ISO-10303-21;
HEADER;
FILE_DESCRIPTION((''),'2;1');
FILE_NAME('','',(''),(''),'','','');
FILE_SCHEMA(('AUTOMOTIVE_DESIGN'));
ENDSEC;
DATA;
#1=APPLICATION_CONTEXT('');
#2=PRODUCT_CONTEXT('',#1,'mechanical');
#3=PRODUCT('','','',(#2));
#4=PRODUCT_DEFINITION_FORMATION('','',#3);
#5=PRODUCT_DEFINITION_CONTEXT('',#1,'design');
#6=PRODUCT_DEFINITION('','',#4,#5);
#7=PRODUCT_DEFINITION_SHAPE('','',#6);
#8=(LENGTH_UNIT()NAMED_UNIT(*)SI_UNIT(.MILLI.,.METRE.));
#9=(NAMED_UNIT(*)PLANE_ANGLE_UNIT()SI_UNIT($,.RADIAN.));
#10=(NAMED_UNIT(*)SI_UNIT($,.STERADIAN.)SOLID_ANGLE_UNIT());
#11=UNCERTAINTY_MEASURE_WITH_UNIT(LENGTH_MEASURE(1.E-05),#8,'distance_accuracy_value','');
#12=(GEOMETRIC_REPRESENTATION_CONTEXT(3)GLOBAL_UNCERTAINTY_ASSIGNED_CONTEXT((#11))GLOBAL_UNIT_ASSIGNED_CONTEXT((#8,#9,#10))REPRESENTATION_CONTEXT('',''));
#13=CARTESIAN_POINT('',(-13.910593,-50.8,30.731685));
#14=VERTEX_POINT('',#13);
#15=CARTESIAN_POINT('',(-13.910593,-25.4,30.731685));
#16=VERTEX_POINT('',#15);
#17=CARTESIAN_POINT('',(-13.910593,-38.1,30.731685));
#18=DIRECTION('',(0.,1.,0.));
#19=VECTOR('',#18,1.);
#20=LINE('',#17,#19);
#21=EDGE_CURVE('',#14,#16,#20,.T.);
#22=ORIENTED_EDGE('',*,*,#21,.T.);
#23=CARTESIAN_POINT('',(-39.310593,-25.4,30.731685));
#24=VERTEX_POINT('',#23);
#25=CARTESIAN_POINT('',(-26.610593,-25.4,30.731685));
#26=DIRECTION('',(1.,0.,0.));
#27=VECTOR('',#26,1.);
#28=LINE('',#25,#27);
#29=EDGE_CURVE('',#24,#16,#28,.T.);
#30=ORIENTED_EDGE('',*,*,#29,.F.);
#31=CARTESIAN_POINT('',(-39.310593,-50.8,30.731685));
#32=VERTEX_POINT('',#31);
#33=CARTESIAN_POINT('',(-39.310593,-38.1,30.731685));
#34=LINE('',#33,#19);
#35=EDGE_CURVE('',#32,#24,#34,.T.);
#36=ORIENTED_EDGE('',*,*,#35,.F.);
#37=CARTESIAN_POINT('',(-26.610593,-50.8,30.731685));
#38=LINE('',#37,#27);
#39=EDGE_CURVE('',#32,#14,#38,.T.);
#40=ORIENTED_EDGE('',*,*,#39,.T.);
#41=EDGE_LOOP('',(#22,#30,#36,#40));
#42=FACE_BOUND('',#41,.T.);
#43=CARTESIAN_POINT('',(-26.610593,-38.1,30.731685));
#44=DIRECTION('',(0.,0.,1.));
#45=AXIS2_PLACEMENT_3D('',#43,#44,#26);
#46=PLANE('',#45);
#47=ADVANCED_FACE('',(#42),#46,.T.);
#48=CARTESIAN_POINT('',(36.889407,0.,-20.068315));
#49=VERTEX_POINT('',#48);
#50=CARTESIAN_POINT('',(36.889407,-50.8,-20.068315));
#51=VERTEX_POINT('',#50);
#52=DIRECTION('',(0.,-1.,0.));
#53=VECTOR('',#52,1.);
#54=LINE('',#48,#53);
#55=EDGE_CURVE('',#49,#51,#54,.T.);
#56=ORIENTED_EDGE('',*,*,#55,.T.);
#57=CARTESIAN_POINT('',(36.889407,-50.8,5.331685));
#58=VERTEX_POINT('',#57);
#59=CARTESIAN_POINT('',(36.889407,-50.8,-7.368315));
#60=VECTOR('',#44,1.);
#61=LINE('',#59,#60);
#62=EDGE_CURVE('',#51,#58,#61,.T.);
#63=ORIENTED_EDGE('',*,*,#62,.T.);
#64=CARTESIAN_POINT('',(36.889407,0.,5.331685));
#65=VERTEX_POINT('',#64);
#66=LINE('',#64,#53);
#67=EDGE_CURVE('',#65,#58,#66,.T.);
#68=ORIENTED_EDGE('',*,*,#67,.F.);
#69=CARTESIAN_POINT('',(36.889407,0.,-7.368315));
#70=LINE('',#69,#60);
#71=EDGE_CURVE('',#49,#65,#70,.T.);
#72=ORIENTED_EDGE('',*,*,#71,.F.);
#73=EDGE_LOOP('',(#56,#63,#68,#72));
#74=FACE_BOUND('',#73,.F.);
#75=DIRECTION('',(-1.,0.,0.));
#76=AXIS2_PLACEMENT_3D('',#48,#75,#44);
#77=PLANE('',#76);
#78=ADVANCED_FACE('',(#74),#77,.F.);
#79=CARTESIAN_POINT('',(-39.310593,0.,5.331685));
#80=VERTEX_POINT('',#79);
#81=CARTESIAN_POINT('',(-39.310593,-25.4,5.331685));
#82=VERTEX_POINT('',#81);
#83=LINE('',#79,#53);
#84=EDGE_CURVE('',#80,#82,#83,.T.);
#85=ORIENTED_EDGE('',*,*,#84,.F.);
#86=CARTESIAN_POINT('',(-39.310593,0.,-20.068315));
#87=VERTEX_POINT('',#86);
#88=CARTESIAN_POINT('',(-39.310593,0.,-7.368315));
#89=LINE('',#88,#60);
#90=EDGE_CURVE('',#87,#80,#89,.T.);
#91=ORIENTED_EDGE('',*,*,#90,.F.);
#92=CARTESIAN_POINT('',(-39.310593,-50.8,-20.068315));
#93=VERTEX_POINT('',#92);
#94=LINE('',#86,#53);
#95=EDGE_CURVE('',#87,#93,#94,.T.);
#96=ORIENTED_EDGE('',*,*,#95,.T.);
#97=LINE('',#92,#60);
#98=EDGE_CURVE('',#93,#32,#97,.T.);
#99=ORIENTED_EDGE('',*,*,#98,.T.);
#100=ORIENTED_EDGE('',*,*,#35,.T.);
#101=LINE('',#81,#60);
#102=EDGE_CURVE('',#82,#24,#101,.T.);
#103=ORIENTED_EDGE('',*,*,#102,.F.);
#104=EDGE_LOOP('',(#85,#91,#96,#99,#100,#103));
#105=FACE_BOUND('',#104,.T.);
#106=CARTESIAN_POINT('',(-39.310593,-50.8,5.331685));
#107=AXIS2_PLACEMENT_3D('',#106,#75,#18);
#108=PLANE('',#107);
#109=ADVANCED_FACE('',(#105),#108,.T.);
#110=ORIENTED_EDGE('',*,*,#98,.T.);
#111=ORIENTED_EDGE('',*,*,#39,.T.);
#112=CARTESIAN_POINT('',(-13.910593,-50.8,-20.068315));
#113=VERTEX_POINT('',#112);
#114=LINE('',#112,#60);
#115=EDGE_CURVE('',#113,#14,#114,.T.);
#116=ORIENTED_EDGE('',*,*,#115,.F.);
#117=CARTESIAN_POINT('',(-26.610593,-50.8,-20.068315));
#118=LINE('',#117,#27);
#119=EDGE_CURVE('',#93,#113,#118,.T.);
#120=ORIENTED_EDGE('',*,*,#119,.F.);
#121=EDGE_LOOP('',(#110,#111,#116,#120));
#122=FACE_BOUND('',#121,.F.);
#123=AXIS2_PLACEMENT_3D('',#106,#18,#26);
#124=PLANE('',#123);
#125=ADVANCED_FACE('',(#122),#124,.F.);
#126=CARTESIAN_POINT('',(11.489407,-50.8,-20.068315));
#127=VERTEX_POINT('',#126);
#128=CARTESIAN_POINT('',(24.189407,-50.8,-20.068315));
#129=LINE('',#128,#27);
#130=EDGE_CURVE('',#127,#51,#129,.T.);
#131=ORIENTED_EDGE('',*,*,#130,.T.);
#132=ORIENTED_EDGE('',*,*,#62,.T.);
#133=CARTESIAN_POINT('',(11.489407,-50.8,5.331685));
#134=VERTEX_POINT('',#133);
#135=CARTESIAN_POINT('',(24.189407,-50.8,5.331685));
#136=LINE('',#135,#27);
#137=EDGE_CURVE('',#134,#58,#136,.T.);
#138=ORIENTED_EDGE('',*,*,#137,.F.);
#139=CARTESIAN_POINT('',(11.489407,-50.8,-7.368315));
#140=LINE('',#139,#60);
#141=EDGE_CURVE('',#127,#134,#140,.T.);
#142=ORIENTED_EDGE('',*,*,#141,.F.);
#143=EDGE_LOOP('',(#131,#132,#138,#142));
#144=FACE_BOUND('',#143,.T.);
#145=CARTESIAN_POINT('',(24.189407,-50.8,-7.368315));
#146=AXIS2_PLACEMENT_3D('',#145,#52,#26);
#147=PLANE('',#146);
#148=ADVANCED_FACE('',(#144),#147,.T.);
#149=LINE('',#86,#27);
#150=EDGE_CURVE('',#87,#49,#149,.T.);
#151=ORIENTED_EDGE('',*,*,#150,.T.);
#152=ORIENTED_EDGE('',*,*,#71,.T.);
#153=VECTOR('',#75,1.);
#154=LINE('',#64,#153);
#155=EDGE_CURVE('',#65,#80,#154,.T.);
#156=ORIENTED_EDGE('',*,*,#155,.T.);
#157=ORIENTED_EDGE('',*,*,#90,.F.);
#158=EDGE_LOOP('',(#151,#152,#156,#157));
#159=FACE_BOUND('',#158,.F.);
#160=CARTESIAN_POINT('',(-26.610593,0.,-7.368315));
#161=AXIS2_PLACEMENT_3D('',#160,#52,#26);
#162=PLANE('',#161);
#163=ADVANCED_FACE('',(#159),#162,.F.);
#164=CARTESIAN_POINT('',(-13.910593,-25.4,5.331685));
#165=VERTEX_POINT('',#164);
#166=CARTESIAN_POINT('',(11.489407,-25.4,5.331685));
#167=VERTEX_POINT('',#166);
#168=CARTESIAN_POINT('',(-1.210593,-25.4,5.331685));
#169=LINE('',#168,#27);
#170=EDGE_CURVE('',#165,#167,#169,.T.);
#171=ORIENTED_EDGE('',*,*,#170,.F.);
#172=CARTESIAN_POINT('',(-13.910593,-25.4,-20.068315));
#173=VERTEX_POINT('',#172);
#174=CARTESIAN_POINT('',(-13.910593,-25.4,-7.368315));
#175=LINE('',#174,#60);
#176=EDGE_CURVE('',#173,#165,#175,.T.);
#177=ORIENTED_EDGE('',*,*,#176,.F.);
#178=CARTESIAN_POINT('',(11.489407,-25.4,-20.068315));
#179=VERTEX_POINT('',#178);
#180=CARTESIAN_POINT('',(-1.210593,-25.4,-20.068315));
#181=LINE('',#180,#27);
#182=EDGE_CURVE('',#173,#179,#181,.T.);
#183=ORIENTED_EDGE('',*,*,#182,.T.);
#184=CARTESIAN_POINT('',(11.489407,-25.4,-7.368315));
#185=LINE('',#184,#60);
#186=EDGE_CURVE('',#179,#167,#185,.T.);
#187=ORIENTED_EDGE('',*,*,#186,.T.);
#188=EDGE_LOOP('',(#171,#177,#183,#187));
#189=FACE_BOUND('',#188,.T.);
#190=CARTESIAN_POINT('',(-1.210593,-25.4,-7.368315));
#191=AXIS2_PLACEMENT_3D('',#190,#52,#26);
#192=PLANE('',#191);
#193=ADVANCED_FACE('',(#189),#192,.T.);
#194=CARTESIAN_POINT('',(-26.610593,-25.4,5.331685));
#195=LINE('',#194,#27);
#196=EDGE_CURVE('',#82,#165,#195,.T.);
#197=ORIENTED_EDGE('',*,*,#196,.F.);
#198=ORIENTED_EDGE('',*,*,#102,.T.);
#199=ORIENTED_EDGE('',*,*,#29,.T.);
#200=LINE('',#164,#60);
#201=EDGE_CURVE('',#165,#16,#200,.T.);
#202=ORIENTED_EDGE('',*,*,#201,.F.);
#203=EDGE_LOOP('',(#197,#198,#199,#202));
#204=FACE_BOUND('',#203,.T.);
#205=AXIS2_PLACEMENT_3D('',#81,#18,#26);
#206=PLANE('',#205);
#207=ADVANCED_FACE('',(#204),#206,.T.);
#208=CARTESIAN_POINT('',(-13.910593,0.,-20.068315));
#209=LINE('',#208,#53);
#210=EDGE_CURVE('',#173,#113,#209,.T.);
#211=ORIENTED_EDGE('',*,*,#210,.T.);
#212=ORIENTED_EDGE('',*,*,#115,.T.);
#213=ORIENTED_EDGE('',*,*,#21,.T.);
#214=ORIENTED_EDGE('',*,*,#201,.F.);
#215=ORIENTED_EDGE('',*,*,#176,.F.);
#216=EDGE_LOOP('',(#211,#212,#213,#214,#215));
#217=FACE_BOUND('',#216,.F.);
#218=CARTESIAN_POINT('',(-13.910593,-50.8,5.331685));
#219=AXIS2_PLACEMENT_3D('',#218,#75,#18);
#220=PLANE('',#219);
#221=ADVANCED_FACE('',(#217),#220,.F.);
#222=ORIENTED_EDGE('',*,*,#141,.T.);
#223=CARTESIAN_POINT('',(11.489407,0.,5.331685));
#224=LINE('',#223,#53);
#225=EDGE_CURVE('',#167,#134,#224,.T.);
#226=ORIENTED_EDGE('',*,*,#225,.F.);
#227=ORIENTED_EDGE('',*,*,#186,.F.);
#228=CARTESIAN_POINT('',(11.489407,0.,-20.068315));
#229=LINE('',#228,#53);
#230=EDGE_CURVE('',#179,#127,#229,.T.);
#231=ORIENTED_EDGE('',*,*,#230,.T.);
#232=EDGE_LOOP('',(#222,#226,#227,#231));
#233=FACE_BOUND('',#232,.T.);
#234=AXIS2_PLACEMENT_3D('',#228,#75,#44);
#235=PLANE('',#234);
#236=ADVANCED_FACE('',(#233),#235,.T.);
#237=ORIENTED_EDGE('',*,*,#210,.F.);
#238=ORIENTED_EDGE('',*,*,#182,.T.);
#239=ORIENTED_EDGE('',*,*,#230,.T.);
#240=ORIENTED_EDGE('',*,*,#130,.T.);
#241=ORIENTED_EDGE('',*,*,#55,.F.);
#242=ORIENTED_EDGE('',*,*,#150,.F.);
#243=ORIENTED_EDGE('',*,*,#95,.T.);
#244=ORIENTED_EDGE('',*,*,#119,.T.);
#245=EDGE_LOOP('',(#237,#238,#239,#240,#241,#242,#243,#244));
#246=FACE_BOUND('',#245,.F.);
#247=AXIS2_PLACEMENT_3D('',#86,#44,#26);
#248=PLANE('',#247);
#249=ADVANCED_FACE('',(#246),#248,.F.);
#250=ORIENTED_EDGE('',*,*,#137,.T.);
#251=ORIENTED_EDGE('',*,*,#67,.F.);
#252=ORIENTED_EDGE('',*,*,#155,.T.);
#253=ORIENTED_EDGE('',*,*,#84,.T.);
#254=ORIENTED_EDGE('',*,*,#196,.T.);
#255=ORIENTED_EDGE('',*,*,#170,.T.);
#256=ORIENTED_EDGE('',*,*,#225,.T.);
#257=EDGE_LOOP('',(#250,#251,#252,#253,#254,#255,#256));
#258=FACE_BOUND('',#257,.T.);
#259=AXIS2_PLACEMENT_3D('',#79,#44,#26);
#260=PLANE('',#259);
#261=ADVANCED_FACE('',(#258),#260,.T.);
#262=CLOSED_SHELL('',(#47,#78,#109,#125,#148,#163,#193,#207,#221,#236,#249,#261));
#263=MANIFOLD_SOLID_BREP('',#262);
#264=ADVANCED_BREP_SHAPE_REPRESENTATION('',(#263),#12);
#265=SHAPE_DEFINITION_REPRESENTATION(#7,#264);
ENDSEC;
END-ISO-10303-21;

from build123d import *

# Parameters (mm, degrees)
F0_W     = 25.4
F0_H     = 25.4
F1_DEPTH = 25.4
F2_DEPTH = 50.8
F3_W     = 25.4
F3_H     = 25.4
F4_DEPTH = 25.4


with BuildPart() as f1:
    # F0 (on Front) → F1 (new body)
    with BuildSketch(Plane.XZ):
        with Locations((-1.210593, -7.368315)):
            Rectangle(F0_W, F0_H)
    extrude(amount=F1_DEPTH)

    # F0 (on Front) → F2 (join)
    with BuildSketch(Plane.XZ):
        with Locations((-26.610593, -7.368315)):
            Rectangle(F0_W, F0_H)
        with Locations((24.189407, -7.368315)):
            Rectangle(F0_W, F0_H)
    extrude(amount=F2_DEPTH)

    # F3 (on face) → F4 (join)
    with BuildSketch(Plane.XY.offset(5.331685)):
        with Locations((-26.610593, -38.1)):
            Rectangle(F3_W, F3_H)
    extrude(amount=F4_DEPTH)


solid = f1.part
